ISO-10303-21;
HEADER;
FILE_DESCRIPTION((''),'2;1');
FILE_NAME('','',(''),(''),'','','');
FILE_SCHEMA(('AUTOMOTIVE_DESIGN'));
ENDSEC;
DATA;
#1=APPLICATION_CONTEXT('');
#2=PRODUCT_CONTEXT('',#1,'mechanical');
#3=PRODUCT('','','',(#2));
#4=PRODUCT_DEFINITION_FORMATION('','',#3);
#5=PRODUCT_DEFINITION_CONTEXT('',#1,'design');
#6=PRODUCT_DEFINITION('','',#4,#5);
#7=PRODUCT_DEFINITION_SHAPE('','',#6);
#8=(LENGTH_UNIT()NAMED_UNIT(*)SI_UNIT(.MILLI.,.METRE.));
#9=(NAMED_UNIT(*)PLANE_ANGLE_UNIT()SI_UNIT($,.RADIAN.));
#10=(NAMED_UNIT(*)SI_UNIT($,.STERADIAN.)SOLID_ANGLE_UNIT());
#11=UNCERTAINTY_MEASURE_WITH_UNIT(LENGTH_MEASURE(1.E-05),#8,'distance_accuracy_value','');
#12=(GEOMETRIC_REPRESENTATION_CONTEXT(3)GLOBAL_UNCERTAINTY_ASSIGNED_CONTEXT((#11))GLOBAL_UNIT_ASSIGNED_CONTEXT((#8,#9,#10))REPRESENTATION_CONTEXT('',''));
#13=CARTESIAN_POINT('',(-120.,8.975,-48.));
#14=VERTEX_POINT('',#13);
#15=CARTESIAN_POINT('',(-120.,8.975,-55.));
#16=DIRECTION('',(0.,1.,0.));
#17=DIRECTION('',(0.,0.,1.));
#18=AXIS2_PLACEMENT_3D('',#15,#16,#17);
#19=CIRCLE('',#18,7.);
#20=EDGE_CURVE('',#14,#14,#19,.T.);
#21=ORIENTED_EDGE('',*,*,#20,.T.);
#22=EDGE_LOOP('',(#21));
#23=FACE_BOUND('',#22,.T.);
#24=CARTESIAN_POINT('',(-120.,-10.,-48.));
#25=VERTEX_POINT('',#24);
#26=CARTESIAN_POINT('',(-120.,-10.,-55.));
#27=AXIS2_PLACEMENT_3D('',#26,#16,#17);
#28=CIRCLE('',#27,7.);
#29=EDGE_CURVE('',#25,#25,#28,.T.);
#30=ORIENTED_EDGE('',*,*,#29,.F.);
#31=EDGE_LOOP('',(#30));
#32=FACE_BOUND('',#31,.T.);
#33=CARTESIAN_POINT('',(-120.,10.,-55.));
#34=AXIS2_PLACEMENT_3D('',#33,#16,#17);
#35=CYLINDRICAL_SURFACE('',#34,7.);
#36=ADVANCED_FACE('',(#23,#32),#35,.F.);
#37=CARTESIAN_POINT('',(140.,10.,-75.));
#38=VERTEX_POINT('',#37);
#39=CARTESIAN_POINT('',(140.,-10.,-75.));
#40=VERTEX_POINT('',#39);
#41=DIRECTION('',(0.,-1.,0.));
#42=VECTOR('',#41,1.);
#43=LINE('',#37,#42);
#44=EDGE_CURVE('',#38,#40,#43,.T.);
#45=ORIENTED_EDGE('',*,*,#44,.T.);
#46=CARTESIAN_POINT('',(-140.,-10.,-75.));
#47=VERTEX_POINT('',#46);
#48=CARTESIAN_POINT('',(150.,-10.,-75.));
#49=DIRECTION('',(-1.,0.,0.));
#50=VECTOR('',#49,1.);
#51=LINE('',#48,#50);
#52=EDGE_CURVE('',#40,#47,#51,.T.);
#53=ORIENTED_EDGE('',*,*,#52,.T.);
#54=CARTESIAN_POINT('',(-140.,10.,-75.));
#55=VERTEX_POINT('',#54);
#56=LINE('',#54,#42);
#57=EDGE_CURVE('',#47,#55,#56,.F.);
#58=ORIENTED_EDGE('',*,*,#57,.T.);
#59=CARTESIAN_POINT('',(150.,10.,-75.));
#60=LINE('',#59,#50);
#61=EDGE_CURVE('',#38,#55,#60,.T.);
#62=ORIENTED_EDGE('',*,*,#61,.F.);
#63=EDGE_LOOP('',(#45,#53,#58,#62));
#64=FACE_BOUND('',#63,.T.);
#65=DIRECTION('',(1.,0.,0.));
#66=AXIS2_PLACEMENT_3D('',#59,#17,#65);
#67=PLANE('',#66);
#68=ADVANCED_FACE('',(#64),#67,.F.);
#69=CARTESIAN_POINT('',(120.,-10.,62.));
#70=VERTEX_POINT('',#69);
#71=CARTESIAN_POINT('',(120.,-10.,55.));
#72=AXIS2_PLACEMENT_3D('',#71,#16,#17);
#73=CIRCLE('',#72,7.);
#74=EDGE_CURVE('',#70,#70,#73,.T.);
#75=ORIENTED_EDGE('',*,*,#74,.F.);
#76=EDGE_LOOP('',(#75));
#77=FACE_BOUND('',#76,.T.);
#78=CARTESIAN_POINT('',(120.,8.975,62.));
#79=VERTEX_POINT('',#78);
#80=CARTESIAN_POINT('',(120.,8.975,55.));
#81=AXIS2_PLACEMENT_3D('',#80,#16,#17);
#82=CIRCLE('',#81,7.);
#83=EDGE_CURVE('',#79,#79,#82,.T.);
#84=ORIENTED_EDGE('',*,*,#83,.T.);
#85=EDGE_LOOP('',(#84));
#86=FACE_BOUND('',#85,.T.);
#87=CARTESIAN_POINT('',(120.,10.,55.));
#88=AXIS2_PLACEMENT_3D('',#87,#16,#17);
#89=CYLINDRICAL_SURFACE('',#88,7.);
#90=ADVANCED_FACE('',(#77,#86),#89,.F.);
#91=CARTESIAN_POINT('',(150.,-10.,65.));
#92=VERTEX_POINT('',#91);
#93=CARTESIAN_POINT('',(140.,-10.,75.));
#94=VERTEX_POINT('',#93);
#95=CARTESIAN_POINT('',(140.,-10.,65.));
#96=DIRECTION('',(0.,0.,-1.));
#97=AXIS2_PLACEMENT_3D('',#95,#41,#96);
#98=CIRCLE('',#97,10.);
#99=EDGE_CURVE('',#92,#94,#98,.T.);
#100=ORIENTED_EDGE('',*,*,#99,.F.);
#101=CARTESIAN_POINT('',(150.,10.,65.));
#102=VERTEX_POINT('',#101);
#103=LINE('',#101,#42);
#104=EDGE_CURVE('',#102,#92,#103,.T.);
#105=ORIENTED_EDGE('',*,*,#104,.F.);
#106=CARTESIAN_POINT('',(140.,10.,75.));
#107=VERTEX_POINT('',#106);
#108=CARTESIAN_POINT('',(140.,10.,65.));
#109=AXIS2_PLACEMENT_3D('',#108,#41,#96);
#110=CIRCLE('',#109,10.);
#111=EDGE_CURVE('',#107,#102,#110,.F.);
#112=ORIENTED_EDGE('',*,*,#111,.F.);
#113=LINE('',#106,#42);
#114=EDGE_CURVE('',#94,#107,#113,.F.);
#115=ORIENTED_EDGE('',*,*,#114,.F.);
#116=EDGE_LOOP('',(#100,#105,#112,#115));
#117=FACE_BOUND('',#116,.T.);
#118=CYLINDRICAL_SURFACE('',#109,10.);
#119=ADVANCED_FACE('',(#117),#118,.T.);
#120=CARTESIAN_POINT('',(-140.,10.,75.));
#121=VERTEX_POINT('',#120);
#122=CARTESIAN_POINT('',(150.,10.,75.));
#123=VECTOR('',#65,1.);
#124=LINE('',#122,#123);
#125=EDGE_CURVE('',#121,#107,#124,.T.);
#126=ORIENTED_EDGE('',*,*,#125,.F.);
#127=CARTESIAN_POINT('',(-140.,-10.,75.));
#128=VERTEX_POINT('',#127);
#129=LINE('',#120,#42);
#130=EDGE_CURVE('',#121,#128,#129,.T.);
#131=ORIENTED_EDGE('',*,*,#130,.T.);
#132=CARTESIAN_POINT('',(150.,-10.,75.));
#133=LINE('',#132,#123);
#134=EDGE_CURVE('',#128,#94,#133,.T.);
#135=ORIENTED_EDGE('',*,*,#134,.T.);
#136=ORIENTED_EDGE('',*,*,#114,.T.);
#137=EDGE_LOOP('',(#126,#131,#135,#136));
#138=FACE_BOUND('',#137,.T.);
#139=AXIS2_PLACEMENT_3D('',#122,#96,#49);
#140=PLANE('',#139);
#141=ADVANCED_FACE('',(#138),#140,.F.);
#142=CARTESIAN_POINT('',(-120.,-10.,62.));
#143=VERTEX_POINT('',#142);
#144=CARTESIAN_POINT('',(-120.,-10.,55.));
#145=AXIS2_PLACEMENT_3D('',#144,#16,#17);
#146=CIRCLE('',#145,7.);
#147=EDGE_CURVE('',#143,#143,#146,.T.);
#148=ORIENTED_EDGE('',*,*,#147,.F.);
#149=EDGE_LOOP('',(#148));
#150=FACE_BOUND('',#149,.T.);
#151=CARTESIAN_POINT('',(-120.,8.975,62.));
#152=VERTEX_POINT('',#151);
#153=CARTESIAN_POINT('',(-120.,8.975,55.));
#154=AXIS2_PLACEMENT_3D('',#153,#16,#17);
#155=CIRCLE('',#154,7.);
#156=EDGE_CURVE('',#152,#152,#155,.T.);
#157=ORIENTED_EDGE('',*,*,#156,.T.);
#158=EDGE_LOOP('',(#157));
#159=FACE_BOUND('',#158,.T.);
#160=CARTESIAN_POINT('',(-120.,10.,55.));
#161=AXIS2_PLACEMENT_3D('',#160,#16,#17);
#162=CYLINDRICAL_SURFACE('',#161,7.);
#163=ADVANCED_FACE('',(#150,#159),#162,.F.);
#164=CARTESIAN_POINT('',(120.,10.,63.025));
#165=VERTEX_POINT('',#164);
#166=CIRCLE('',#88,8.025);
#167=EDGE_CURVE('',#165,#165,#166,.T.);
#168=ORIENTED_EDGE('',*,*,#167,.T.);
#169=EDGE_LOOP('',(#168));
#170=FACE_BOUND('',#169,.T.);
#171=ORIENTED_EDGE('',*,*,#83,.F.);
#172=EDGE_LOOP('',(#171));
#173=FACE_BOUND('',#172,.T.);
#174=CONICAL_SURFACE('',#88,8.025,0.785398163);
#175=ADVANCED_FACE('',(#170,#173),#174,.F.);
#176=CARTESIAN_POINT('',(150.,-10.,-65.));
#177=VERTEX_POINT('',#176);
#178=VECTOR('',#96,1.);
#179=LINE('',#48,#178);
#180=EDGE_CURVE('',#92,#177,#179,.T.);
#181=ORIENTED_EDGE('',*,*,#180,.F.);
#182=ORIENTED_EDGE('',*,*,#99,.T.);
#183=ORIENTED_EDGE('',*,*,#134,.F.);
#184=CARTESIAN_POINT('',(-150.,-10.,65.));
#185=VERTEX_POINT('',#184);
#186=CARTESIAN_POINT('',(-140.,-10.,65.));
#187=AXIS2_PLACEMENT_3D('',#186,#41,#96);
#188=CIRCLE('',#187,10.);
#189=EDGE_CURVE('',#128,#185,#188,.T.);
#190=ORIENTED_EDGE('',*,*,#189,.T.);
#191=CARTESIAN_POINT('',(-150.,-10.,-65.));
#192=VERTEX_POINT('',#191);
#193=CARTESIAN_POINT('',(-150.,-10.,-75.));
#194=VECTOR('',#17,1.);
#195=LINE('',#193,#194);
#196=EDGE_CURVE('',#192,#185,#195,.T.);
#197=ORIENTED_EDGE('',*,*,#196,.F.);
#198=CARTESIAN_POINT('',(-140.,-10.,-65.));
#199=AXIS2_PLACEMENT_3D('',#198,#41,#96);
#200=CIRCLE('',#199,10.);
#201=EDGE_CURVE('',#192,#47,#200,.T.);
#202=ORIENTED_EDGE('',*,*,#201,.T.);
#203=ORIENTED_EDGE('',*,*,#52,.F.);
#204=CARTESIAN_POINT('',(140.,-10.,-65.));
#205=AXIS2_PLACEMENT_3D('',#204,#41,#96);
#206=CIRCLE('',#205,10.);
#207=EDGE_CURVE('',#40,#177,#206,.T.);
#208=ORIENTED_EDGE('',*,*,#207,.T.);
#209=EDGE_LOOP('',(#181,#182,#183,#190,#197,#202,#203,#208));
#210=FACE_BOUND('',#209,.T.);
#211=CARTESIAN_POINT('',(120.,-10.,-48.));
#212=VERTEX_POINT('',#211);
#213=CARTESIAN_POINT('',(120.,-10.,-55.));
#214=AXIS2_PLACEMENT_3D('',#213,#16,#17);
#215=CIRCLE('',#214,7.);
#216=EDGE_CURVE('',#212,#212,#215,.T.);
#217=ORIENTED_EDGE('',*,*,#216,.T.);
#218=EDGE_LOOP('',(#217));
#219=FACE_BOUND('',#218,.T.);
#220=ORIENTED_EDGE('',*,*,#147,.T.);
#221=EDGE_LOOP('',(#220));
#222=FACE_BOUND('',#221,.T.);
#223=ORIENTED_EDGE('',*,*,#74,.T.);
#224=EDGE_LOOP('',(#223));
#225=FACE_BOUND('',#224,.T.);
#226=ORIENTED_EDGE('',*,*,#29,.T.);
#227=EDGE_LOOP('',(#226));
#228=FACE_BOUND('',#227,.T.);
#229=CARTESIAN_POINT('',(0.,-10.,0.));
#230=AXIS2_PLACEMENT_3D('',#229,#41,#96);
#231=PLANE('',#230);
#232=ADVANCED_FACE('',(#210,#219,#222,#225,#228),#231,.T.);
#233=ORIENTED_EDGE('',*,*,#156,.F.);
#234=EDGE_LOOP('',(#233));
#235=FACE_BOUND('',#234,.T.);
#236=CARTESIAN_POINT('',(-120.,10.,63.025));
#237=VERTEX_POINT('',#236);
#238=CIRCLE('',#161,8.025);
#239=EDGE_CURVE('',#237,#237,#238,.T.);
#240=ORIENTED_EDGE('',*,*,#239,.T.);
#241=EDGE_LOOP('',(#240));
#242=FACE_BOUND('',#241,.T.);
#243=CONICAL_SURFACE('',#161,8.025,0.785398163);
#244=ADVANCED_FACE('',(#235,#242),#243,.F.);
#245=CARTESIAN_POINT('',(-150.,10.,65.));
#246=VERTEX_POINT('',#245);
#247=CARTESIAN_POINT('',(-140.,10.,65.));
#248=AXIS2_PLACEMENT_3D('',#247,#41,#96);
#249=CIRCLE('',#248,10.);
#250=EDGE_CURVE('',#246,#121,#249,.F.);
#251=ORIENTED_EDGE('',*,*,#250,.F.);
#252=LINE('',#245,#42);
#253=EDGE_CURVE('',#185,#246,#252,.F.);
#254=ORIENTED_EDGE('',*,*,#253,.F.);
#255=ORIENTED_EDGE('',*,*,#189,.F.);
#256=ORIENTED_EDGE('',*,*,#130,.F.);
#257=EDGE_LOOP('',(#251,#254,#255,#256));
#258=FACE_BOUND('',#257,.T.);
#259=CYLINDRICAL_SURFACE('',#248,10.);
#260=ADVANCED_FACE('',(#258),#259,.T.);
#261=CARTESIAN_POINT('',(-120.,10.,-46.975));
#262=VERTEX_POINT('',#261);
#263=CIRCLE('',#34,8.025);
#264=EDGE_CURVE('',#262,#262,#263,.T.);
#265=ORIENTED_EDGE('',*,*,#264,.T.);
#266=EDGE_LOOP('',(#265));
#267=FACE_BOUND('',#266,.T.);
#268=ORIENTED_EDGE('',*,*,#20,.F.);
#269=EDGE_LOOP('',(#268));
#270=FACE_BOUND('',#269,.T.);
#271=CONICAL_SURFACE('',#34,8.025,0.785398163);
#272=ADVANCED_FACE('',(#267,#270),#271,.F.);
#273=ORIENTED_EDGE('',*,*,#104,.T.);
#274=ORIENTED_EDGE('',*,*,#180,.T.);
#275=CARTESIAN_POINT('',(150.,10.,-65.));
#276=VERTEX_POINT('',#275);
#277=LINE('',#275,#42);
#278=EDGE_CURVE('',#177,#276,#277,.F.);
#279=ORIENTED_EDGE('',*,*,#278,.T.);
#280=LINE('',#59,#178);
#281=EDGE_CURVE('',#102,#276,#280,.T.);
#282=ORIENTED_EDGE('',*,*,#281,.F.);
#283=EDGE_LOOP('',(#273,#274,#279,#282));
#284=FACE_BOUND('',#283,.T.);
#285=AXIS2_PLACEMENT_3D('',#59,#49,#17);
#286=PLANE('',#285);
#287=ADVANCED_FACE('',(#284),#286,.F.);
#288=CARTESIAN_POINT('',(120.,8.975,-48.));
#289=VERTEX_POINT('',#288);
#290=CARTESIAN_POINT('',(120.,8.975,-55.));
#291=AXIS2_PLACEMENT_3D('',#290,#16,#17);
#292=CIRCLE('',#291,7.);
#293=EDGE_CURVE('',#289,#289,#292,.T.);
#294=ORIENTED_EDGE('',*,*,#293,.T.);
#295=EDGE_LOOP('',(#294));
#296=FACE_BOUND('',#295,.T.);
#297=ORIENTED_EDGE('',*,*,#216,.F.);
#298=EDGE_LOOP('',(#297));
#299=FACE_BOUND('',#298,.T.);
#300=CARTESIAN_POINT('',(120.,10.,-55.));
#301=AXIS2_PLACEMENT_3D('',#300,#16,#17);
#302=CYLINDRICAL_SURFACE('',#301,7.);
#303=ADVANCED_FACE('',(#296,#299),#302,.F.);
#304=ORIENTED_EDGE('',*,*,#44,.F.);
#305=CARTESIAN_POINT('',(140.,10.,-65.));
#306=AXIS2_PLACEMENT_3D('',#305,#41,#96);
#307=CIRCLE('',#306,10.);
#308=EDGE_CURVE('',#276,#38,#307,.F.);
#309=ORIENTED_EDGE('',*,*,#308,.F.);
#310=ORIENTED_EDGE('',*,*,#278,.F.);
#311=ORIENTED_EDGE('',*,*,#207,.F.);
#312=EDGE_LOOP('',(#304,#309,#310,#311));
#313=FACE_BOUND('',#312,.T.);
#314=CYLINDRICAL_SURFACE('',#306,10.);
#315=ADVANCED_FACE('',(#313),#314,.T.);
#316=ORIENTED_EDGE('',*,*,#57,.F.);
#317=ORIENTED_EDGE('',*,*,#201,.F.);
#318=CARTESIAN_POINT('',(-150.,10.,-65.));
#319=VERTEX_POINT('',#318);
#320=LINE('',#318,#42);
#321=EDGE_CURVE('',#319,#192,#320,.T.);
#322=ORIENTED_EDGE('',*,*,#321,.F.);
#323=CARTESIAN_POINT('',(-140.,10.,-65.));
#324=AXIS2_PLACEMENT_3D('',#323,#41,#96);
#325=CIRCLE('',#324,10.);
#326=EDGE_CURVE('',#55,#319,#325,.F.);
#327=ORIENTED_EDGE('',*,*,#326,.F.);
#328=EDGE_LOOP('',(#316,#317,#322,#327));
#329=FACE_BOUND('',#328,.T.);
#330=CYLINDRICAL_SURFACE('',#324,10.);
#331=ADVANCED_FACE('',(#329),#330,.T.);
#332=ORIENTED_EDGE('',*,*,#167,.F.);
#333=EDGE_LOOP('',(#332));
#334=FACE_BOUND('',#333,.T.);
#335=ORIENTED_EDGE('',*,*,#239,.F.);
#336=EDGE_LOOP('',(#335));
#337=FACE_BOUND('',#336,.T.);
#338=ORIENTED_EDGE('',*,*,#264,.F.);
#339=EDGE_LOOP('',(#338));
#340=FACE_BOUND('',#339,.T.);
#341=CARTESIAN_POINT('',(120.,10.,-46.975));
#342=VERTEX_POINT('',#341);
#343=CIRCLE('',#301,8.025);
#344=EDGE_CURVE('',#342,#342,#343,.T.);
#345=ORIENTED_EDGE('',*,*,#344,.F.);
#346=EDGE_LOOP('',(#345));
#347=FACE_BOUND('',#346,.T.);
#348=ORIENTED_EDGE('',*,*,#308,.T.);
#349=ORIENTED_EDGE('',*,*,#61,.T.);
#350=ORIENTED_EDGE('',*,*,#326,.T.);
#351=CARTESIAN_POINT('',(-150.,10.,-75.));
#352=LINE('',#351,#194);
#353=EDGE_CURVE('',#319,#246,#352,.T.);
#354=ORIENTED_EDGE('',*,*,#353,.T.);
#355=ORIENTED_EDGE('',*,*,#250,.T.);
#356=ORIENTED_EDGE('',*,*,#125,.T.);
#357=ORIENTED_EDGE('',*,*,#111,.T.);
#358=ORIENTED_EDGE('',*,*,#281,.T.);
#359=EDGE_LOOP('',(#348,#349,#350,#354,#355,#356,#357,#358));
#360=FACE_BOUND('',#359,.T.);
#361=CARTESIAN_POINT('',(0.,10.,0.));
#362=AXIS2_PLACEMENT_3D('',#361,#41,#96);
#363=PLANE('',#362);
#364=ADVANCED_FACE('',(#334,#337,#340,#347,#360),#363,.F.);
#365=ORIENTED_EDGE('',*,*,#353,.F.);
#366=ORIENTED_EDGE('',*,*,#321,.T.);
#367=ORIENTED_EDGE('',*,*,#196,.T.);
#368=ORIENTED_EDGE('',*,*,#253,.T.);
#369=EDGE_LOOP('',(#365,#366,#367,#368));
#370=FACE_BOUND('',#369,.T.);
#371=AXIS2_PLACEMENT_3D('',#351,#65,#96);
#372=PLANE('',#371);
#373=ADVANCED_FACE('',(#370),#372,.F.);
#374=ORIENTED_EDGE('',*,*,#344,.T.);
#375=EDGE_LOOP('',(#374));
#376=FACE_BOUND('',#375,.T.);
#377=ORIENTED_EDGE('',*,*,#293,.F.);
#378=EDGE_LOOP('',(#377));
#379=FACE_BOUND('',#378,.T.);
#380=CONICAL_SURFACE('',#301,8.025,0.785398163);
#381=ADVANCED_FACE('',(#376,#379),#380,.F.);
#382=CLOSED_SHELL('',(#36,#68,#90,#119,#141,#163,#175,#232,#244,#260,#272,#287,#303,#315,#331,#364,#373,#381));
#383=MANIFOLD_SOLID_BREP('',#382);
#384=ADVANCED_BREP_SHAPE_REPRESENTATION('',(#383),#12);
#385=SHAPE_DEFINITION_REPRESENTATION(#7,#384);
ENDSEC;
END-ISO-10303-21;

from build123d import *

# Parameters (mm, degrees)
SKETCH2_W                    = 300
SKETCH2_H                    = 150
BOSS_EXTRUDE1_DEPTH          = 10
FILLET1_R                    = 10
M16_TAPPED_HOLE1_D           = 14
M16_TAPPED_HOLE1_CSINK_D     = 16.05
M16_TAPPED_HOLE1_CSINK_ANGLE = 90


with BuildPart() as part:
    # Sketch2 → Boss-Extrude1 (new, symmetric)
    with BuildSketch(Plane(origin=(0, 0, 0), x_dir=(1, 0, 0), z_dir=(0, 1, 0))):
        Rectangle(SKETCH2_W, SKETCH2_H)
    extrude(amount=BOSS_EXTRUDE1_DEPTH, both=True)

    # Fillet1
    fillet1_edges = [part.edges().sort_by_distance(p)[0] for p in [
        (150, 0, 75),
        (-150, 0, 75),
        (-150, 0, -75),
        (150, 0, -75),
    ]]
    fillet(fillet1_edges, radius=FILLET1_R)

    # M16 Tapped Hole1 (through all)
    with Locations(Plane(origin=(-120, 10, -55), x_dir=(0, 0, 1), z_dir=(0, 1, 0))):
        with Locations((0, 0), (0, 240), (110, 240), (110, 0)):
            CounterSinkHole(M16_TAPPED_HOLE1_D / 2, M16_TAPPED_HOLE1_CSINK_D / 2, counter_sink_angle=M16_TAPPED_HOLE1_CSINK_ANGLE)


solid = part.part
